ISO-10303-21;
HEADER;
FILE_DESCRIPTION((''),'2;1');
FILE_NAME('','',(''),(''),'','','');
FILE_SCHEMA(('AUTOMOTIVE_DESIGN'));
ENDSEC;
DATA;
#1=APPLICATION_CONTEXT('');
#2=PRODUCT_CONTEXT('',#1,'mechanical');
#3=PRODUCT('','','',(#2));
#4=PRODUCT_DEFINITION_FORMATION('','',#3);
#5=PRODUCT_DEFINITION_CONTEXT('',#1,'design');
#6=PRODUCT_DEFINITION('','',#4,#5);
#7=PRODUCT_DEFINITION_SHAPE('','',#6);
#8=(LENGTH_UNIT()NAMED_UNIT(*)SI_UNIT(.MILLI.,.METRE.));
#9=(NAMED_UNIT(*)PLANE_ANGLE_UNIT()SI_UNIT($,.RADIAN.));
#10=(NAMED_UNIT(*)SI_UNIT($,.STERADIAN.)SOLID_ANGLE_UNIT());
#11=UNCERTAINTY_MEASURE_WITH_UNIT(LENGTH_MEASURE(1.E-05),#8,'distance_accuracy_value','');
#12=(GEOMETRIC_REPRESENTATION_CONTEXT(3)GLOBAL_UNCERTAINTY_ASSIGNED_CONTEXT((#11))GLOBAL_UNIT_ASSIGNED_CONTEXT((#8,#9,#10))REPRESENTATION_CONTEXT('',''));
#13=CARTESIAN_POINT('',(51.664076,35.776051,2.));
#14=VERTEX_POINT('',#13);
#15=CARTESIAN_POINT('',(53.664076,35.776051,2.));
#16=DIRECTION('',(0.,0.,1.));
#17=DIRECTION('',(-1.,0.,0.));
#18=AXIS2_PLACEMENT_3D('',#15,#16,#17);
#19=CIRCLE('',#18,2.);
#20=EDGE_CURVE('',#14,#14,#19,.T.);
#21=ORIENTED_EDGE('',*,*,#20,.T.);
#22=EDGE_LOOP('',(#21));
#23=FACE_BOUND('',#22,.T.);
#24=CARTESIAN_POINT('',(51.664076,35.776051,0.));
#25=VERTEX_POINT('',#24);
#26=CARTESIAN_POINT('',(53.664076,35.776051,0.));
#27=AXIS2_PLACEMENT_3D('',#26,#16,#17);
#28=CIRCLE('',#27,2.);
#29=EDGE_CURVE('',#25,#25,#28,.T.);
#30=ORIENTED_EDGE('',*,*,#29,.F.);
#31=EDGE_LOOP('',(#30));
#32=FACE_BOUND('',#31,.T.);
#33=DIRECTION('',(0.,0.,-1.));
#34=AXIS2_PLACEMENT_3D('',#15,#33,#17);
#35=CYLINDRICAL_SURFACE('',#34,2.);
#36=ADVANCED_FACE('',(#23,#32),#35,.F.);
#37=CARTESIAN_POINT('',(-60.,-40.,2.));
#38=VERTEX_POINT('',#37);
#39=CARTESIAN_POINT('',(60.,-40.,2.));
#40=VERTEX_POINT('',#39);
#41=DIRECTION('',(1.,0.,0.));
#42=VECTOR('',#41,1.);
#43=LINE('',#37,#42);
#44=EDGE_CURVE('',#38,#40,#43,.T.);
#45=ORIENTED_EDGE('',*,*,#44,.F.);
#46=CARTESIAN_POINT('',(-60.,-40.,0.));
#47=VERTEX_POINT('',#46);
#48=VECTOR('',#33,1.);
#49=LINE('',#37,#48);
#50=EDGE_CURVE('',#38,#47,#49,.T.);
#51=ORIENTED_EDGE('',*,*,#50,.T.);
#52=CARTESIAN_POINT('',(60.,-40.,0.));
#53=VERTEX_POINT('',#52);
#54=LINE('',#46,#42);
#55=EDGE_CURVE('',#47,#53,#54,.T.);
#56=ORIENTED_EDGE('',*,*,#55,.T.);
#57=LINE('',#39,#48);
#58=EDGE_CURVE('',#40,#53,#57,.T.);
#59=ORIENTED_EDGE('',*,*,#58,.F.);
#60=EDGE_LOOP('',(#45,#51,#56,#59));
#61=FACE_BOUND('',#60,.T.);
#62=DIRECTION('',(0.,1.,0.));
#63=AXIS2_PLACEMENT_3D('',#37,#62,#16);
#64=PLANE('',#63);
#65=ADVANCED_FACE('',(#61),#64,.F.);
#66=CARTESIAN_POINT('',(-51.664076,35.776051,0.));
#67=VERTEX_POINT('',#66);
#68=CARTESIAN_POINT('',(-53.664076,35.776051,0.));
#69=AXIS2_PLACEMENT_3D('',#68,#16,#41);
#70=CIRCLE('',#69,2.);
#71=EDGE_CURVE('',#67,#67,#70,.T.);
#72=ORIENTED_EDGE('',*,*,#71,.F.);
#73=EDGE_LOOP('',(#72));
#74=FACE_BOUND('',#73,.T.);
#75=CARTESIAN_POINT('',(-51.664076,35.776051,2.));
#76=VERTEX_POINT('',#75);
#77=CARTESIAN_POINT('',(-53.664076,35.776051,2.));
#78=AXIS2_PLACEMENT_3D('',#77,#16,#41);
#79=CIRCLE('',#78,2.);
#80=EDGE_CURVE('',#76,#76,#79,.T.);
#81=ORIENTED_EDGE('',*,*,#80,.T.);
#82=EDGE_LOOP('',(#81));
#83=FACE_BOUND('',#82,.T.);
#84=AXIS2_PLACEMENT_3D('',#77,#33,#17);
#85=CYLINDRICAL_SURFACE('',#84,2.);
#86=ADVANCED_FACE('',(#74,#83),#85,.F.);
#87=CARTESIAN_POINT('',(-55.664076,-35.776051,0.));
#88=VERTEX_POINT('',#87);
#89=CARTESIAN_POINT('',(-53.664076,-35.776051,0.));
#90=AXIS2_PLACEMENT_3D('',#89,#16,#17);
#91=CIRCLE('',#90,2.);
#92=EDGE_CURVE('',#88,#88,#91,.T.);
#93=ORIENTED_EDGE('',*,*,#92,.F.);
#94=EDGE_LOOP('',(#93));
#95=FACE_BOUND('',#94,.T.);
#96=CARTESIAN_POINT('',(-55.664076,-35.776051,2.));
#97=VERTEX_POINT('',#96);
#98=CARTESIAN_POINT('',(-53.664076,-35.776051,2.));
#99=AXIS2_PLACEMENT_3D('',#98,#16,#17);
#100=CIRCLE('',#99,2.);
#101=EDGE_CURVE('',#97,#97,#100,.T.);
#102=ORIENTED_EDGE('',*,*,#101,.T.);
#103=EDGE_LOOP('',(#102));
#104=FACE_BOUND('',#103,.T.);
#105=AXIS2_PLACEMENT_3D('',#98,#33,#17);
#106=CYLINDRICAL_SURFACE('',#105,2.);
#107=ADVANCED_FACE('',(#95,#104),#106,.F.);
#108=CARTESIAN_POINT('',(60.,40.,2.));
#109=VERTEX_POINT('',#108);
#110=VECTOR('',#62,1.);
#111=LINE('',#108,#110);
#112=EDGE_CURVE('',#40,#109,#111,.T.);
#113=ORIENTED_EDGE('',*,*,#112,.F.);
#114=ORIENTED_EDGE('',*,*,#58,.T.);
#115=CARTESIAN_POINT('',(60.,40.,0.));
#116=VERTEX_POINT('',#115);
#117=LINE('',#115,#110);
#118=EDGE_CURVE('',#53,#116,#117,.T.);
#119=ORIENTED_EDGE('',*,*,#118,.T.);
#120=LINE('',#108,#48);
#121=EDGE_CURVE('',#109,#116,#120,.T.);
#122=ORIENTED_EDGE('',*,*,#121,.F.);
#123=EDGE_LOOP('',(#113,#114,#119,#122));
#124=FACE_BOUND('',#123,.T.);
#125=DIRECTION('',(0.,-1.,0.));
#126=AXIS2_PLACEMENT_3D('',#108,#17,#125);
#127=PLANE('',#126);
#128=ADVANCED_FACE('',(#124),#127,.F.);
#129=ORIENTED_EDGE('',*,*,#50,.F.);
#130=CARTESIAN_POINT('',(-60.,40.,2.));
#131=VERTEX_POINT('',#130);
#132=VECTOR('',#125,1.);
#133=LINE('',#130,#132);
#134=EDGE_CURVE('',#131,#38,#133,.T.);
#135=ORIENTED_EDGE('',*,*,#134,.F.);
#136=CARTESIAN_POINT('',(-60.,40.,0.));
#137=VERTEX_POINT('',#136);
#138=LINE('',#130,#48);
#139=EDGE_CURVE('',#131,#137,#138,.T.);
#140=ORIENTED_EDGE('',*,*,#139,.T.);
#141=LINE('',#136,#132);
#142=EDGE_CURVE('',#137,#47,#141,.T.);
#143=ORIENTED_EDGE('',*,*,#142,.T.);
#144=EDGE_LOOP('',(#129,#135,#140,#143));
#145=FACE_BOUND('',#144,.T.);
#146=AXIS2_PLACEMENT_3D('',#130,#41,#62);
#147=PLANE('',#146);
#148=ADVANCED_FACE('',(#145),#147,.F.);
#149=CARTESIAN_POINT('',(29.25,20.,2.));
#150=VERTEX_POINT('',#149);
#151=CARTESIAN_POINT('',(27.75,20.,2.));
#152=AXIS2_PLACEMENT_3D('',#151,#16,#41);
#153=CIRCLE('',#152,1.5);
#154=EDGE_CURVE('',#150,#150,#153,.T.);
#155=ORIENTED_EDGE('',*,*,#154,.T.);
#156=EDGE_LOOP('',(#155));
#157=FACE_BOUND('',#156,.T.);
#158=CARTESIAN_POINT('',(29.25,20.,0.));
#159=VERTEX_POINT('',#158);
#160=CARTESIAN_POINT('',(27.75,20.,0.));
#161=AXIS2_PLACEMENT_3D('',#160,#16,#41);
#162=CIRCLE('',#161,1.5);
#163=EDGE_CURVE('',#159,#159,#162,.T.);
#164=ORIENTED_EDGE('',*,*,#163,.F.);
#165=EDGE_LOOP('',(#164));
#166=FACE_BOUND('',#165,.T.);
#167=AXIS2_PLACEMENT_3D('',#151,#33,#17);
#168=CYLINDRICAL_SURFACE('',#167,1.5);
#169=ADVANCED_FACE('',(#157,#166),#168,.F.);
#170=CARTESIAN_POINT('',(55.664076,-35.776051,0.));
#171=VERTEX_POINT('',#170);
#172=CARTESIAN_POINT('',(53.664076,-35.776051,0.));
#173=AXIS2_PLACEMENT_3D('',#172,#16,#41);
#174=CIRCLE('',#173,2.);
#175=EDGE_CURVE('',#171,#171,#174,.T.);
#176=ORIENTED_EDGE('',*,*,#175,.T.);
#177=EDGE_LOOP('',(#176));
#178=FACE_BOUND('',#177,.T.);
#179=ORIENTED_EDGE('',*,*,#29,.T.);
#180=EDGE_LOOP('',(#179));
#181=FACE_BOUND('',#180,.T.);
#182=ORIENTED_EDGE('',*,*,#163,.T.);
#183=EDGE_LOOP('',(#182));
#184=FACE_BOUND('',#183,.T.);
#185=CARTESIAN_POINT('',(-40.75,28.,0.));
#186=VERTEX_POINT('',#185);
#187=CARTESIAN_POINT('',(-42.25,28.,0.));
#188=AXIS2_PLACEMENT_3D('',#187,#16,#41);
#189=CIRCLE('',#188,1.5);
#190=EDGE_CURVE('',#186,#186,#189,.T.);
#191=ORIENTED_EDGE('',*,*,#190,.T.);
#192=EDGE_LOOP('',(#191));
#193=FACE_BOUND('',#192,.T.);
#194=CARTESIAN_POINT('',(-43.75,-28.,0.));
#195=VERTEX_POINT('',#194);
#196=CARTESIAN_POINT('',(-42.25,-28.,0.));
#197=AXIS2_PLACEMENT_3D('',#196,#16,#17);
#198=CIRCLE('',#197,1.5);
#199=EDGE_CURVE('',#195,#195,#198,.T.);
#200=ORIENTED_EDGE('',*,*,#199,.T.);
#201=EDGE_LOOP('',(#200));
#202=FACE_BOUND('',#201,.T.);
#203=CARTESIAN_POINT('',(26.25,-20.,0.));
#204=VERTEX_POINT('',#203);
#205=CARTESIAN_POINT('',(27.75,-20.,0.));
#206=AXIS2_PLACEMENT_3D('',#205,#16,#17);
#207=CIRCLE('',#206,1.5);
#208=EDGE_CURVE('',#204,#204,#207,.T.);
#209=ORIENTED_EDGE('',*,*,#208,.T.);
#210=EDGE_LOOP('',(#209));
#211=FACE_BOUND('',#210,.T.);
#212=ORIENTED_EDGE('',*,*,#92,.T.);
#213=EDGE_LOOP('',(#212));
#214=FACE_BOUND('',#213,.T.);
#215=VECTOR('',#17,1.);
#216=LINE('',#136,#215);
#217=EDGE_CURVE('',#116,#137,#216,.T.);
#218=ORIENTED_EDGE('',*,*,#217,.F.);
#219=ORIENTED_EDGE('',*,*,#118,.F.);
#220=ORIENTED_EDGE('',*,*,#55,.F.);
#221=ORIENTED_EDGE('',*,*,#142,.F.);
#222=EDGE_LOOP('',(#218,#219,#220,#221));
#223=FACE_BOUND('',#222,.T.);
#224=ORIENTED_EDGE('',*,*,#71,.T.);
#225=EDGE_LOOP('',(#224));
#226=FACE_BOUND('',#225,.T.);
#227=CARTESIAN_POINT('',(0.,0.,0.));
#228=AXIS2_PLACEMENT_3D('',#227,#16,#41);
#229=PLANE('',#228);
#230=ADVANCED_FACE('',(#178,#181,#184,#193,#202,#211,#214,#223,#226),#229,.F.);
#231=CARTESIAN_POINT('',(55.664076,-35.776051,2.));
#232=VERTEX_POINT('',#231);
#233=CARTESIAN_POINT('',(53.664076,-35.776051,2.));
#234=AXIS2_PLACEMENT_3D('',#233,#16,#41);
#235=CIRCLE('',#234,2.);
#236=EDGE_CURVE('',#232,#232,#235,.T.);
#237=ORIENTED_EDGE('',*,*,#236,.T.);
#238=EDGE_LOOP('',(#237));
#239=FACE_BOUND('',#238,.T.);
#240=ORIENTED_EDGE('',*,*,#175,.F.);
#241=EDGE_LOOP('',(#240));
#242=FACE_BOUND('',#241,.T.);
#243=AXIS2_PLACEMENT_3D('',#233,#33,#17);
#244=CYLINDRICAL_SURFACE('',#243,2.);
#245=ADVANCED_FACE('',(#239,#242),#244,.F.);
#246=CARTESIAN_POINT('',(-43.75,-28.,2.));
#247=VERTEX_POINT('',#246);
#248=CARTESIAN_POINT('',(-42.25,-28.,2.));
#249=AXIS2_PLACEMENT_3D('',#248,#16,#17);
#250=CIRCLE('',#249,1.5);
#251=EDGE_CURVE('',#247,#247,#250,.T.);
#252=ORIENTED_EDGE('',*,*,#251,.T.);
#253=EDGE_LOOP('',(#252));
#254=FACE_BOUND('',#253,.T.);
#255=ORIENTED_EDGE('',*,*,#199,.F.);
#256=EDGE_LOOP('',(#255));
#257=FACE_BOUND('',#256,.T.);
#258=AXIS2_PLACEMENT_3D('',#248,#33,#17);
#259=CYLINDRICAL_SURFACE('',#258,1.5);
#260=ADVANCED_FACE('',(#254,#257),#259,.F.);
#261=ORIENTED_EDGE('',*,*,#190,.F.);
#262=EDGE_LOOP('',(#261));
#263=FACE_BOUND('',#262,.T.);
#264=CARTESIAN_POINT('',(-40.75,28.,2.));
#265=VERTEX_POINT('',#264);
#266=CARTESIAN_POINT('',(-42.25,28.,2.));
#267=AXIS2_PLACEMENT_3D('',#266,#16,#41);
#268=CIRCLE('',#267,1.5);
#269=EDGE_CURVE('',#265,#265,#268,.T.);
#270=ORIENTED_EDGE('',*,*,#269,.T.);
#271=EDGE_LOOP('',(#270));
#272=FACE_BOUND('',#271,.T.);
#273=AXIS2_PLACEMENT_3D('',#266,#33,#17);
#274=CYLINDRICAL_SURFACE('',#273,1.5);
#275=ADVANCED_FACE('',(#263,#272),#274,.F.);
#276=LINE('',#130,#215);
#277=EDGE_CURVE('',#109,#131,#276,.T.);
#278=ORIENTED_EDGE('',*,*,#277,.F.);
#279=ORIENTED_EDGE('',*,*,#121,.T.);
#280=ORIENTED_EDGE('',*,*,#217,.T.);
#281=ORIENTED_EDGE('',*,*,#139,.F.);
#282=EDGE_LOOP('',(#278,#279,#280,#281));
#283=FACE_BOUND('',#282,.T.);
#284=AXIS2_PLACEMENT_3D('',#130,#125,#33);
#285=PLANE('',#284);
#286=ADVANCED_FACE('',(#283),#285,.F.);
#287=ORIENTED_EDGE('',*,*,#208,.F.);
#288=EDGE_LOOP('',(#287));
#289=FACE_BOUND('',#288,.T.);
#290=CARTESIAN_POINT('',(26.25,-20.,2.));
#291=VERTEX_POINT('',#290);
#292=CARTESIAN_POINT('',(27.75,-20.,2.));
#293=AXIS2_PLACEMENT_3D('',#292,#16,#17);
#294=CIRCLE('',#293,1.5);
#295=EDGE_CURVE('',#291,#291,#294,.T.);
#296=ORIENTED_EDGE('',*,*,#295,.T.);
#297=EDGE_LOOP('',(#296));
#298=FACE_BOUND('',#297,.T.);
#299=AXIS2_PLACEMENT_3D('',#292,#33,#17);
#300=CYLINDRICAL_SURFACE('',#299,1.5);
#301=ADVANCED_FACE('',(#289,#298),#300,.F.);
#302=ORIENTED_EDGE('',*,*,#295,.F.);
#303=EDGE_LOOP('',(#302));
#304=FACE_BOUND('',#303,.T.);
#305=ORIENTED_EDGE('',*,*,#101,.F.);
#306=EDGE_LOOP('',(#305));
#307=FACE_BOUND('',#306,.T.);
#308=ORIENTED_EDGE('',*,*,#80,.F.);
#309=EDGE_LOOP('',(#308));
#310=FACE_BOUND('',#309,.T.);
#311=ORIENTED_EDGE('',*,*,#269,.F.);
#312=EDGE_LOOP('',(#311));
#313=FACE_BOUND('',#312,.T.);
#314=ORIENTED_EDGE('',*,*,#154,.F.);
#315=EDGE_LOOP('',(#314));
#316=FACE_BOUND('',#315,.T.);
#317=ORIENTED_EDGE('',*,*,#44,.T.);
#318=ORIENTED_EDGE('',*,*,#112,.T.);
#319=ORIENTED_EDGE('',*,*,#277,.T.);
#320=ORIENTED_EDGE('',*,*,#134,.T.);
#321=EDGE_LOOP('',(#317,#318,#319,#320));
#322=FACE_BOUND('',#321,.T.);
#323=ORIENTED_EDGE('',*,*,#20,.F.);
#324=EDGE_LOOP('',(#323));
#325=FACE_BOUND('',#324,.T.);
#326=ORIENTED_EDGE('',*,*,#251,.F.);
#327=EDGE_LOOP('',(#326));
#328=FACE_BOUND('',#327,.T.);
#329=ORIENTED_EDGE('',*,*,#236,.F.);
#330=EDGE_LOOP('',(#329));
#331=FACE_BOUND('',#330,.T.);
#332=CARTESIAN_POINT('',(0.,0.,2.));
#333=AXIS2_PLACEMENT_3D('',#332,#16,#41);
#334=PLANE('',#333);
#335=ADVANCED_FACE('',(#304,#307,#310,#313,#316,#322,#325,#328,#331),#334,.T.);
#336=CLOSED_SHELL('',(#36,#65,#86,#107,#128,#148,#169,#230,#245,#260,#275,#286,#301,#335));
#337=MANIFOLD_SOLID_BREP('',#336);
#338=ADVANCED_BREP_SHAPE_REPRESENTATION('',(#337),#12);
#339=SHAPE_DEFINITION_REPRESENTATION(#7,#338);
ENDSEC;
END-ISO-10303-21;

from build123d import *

# Parameters (mm, degrees)
SKETCH1_W           = 120
SKETCH1_H           = 80
SKETCH1_R           = 1.5
SKETCH1_R_2         = 2
BOSS_EXTRUDE3_DEPTH = 2


with BuildPart() as part:
    # Sketch1 → Boss-Extrude3 (new body)
    with BuildSketch(Plane.XY):
        Rectangle(SKETCH1_W, SKETCH1_H)
        with Locations((-42.25, 28)):
            Circle(SKETCH1_R, mode=Mode.SUBTRACT)
        with Locations((27.75, 20)):
            Circle(SKETCH1_R, mode=Mode.SUBTRACT)
        with Locations(Location((27.75, -20, 0), (0, 0, 180))):
            Circle(SKETCH1_R, mode=Mode.SUBTRACT)
        with Locations(Location((-42.25, -28, 0), (0, 0, 180))):
            Circle(SKETCH1_R, mode=Mode.SUBTRACT)
        with Locations((-53.664076267, 35.776050844)):
            Circle(SKETCH1_R_2, mode=Mode.SUBTRACT)
        with Locations(Location((53.664076267, 35.776050844, 0), (0, 0, 180))):
            Circle(SKETCH1_R_2, mode=Mode.SUBTRACT)
        with Locations((53.664076267, -35.776050844)):
            Circle(SKETCH1_R_2, mode=Mode.SUBTRACT)
        with Locations(Location((-53.664076267, -35.776050844, 0), (0, 0, 180))):
            Circle(SKETCH1_R_2, mode=Mode.SUBTRACT)
    extrude(amount=BOSS_EXTRUDE3_DEPTH)


solid = part.part
